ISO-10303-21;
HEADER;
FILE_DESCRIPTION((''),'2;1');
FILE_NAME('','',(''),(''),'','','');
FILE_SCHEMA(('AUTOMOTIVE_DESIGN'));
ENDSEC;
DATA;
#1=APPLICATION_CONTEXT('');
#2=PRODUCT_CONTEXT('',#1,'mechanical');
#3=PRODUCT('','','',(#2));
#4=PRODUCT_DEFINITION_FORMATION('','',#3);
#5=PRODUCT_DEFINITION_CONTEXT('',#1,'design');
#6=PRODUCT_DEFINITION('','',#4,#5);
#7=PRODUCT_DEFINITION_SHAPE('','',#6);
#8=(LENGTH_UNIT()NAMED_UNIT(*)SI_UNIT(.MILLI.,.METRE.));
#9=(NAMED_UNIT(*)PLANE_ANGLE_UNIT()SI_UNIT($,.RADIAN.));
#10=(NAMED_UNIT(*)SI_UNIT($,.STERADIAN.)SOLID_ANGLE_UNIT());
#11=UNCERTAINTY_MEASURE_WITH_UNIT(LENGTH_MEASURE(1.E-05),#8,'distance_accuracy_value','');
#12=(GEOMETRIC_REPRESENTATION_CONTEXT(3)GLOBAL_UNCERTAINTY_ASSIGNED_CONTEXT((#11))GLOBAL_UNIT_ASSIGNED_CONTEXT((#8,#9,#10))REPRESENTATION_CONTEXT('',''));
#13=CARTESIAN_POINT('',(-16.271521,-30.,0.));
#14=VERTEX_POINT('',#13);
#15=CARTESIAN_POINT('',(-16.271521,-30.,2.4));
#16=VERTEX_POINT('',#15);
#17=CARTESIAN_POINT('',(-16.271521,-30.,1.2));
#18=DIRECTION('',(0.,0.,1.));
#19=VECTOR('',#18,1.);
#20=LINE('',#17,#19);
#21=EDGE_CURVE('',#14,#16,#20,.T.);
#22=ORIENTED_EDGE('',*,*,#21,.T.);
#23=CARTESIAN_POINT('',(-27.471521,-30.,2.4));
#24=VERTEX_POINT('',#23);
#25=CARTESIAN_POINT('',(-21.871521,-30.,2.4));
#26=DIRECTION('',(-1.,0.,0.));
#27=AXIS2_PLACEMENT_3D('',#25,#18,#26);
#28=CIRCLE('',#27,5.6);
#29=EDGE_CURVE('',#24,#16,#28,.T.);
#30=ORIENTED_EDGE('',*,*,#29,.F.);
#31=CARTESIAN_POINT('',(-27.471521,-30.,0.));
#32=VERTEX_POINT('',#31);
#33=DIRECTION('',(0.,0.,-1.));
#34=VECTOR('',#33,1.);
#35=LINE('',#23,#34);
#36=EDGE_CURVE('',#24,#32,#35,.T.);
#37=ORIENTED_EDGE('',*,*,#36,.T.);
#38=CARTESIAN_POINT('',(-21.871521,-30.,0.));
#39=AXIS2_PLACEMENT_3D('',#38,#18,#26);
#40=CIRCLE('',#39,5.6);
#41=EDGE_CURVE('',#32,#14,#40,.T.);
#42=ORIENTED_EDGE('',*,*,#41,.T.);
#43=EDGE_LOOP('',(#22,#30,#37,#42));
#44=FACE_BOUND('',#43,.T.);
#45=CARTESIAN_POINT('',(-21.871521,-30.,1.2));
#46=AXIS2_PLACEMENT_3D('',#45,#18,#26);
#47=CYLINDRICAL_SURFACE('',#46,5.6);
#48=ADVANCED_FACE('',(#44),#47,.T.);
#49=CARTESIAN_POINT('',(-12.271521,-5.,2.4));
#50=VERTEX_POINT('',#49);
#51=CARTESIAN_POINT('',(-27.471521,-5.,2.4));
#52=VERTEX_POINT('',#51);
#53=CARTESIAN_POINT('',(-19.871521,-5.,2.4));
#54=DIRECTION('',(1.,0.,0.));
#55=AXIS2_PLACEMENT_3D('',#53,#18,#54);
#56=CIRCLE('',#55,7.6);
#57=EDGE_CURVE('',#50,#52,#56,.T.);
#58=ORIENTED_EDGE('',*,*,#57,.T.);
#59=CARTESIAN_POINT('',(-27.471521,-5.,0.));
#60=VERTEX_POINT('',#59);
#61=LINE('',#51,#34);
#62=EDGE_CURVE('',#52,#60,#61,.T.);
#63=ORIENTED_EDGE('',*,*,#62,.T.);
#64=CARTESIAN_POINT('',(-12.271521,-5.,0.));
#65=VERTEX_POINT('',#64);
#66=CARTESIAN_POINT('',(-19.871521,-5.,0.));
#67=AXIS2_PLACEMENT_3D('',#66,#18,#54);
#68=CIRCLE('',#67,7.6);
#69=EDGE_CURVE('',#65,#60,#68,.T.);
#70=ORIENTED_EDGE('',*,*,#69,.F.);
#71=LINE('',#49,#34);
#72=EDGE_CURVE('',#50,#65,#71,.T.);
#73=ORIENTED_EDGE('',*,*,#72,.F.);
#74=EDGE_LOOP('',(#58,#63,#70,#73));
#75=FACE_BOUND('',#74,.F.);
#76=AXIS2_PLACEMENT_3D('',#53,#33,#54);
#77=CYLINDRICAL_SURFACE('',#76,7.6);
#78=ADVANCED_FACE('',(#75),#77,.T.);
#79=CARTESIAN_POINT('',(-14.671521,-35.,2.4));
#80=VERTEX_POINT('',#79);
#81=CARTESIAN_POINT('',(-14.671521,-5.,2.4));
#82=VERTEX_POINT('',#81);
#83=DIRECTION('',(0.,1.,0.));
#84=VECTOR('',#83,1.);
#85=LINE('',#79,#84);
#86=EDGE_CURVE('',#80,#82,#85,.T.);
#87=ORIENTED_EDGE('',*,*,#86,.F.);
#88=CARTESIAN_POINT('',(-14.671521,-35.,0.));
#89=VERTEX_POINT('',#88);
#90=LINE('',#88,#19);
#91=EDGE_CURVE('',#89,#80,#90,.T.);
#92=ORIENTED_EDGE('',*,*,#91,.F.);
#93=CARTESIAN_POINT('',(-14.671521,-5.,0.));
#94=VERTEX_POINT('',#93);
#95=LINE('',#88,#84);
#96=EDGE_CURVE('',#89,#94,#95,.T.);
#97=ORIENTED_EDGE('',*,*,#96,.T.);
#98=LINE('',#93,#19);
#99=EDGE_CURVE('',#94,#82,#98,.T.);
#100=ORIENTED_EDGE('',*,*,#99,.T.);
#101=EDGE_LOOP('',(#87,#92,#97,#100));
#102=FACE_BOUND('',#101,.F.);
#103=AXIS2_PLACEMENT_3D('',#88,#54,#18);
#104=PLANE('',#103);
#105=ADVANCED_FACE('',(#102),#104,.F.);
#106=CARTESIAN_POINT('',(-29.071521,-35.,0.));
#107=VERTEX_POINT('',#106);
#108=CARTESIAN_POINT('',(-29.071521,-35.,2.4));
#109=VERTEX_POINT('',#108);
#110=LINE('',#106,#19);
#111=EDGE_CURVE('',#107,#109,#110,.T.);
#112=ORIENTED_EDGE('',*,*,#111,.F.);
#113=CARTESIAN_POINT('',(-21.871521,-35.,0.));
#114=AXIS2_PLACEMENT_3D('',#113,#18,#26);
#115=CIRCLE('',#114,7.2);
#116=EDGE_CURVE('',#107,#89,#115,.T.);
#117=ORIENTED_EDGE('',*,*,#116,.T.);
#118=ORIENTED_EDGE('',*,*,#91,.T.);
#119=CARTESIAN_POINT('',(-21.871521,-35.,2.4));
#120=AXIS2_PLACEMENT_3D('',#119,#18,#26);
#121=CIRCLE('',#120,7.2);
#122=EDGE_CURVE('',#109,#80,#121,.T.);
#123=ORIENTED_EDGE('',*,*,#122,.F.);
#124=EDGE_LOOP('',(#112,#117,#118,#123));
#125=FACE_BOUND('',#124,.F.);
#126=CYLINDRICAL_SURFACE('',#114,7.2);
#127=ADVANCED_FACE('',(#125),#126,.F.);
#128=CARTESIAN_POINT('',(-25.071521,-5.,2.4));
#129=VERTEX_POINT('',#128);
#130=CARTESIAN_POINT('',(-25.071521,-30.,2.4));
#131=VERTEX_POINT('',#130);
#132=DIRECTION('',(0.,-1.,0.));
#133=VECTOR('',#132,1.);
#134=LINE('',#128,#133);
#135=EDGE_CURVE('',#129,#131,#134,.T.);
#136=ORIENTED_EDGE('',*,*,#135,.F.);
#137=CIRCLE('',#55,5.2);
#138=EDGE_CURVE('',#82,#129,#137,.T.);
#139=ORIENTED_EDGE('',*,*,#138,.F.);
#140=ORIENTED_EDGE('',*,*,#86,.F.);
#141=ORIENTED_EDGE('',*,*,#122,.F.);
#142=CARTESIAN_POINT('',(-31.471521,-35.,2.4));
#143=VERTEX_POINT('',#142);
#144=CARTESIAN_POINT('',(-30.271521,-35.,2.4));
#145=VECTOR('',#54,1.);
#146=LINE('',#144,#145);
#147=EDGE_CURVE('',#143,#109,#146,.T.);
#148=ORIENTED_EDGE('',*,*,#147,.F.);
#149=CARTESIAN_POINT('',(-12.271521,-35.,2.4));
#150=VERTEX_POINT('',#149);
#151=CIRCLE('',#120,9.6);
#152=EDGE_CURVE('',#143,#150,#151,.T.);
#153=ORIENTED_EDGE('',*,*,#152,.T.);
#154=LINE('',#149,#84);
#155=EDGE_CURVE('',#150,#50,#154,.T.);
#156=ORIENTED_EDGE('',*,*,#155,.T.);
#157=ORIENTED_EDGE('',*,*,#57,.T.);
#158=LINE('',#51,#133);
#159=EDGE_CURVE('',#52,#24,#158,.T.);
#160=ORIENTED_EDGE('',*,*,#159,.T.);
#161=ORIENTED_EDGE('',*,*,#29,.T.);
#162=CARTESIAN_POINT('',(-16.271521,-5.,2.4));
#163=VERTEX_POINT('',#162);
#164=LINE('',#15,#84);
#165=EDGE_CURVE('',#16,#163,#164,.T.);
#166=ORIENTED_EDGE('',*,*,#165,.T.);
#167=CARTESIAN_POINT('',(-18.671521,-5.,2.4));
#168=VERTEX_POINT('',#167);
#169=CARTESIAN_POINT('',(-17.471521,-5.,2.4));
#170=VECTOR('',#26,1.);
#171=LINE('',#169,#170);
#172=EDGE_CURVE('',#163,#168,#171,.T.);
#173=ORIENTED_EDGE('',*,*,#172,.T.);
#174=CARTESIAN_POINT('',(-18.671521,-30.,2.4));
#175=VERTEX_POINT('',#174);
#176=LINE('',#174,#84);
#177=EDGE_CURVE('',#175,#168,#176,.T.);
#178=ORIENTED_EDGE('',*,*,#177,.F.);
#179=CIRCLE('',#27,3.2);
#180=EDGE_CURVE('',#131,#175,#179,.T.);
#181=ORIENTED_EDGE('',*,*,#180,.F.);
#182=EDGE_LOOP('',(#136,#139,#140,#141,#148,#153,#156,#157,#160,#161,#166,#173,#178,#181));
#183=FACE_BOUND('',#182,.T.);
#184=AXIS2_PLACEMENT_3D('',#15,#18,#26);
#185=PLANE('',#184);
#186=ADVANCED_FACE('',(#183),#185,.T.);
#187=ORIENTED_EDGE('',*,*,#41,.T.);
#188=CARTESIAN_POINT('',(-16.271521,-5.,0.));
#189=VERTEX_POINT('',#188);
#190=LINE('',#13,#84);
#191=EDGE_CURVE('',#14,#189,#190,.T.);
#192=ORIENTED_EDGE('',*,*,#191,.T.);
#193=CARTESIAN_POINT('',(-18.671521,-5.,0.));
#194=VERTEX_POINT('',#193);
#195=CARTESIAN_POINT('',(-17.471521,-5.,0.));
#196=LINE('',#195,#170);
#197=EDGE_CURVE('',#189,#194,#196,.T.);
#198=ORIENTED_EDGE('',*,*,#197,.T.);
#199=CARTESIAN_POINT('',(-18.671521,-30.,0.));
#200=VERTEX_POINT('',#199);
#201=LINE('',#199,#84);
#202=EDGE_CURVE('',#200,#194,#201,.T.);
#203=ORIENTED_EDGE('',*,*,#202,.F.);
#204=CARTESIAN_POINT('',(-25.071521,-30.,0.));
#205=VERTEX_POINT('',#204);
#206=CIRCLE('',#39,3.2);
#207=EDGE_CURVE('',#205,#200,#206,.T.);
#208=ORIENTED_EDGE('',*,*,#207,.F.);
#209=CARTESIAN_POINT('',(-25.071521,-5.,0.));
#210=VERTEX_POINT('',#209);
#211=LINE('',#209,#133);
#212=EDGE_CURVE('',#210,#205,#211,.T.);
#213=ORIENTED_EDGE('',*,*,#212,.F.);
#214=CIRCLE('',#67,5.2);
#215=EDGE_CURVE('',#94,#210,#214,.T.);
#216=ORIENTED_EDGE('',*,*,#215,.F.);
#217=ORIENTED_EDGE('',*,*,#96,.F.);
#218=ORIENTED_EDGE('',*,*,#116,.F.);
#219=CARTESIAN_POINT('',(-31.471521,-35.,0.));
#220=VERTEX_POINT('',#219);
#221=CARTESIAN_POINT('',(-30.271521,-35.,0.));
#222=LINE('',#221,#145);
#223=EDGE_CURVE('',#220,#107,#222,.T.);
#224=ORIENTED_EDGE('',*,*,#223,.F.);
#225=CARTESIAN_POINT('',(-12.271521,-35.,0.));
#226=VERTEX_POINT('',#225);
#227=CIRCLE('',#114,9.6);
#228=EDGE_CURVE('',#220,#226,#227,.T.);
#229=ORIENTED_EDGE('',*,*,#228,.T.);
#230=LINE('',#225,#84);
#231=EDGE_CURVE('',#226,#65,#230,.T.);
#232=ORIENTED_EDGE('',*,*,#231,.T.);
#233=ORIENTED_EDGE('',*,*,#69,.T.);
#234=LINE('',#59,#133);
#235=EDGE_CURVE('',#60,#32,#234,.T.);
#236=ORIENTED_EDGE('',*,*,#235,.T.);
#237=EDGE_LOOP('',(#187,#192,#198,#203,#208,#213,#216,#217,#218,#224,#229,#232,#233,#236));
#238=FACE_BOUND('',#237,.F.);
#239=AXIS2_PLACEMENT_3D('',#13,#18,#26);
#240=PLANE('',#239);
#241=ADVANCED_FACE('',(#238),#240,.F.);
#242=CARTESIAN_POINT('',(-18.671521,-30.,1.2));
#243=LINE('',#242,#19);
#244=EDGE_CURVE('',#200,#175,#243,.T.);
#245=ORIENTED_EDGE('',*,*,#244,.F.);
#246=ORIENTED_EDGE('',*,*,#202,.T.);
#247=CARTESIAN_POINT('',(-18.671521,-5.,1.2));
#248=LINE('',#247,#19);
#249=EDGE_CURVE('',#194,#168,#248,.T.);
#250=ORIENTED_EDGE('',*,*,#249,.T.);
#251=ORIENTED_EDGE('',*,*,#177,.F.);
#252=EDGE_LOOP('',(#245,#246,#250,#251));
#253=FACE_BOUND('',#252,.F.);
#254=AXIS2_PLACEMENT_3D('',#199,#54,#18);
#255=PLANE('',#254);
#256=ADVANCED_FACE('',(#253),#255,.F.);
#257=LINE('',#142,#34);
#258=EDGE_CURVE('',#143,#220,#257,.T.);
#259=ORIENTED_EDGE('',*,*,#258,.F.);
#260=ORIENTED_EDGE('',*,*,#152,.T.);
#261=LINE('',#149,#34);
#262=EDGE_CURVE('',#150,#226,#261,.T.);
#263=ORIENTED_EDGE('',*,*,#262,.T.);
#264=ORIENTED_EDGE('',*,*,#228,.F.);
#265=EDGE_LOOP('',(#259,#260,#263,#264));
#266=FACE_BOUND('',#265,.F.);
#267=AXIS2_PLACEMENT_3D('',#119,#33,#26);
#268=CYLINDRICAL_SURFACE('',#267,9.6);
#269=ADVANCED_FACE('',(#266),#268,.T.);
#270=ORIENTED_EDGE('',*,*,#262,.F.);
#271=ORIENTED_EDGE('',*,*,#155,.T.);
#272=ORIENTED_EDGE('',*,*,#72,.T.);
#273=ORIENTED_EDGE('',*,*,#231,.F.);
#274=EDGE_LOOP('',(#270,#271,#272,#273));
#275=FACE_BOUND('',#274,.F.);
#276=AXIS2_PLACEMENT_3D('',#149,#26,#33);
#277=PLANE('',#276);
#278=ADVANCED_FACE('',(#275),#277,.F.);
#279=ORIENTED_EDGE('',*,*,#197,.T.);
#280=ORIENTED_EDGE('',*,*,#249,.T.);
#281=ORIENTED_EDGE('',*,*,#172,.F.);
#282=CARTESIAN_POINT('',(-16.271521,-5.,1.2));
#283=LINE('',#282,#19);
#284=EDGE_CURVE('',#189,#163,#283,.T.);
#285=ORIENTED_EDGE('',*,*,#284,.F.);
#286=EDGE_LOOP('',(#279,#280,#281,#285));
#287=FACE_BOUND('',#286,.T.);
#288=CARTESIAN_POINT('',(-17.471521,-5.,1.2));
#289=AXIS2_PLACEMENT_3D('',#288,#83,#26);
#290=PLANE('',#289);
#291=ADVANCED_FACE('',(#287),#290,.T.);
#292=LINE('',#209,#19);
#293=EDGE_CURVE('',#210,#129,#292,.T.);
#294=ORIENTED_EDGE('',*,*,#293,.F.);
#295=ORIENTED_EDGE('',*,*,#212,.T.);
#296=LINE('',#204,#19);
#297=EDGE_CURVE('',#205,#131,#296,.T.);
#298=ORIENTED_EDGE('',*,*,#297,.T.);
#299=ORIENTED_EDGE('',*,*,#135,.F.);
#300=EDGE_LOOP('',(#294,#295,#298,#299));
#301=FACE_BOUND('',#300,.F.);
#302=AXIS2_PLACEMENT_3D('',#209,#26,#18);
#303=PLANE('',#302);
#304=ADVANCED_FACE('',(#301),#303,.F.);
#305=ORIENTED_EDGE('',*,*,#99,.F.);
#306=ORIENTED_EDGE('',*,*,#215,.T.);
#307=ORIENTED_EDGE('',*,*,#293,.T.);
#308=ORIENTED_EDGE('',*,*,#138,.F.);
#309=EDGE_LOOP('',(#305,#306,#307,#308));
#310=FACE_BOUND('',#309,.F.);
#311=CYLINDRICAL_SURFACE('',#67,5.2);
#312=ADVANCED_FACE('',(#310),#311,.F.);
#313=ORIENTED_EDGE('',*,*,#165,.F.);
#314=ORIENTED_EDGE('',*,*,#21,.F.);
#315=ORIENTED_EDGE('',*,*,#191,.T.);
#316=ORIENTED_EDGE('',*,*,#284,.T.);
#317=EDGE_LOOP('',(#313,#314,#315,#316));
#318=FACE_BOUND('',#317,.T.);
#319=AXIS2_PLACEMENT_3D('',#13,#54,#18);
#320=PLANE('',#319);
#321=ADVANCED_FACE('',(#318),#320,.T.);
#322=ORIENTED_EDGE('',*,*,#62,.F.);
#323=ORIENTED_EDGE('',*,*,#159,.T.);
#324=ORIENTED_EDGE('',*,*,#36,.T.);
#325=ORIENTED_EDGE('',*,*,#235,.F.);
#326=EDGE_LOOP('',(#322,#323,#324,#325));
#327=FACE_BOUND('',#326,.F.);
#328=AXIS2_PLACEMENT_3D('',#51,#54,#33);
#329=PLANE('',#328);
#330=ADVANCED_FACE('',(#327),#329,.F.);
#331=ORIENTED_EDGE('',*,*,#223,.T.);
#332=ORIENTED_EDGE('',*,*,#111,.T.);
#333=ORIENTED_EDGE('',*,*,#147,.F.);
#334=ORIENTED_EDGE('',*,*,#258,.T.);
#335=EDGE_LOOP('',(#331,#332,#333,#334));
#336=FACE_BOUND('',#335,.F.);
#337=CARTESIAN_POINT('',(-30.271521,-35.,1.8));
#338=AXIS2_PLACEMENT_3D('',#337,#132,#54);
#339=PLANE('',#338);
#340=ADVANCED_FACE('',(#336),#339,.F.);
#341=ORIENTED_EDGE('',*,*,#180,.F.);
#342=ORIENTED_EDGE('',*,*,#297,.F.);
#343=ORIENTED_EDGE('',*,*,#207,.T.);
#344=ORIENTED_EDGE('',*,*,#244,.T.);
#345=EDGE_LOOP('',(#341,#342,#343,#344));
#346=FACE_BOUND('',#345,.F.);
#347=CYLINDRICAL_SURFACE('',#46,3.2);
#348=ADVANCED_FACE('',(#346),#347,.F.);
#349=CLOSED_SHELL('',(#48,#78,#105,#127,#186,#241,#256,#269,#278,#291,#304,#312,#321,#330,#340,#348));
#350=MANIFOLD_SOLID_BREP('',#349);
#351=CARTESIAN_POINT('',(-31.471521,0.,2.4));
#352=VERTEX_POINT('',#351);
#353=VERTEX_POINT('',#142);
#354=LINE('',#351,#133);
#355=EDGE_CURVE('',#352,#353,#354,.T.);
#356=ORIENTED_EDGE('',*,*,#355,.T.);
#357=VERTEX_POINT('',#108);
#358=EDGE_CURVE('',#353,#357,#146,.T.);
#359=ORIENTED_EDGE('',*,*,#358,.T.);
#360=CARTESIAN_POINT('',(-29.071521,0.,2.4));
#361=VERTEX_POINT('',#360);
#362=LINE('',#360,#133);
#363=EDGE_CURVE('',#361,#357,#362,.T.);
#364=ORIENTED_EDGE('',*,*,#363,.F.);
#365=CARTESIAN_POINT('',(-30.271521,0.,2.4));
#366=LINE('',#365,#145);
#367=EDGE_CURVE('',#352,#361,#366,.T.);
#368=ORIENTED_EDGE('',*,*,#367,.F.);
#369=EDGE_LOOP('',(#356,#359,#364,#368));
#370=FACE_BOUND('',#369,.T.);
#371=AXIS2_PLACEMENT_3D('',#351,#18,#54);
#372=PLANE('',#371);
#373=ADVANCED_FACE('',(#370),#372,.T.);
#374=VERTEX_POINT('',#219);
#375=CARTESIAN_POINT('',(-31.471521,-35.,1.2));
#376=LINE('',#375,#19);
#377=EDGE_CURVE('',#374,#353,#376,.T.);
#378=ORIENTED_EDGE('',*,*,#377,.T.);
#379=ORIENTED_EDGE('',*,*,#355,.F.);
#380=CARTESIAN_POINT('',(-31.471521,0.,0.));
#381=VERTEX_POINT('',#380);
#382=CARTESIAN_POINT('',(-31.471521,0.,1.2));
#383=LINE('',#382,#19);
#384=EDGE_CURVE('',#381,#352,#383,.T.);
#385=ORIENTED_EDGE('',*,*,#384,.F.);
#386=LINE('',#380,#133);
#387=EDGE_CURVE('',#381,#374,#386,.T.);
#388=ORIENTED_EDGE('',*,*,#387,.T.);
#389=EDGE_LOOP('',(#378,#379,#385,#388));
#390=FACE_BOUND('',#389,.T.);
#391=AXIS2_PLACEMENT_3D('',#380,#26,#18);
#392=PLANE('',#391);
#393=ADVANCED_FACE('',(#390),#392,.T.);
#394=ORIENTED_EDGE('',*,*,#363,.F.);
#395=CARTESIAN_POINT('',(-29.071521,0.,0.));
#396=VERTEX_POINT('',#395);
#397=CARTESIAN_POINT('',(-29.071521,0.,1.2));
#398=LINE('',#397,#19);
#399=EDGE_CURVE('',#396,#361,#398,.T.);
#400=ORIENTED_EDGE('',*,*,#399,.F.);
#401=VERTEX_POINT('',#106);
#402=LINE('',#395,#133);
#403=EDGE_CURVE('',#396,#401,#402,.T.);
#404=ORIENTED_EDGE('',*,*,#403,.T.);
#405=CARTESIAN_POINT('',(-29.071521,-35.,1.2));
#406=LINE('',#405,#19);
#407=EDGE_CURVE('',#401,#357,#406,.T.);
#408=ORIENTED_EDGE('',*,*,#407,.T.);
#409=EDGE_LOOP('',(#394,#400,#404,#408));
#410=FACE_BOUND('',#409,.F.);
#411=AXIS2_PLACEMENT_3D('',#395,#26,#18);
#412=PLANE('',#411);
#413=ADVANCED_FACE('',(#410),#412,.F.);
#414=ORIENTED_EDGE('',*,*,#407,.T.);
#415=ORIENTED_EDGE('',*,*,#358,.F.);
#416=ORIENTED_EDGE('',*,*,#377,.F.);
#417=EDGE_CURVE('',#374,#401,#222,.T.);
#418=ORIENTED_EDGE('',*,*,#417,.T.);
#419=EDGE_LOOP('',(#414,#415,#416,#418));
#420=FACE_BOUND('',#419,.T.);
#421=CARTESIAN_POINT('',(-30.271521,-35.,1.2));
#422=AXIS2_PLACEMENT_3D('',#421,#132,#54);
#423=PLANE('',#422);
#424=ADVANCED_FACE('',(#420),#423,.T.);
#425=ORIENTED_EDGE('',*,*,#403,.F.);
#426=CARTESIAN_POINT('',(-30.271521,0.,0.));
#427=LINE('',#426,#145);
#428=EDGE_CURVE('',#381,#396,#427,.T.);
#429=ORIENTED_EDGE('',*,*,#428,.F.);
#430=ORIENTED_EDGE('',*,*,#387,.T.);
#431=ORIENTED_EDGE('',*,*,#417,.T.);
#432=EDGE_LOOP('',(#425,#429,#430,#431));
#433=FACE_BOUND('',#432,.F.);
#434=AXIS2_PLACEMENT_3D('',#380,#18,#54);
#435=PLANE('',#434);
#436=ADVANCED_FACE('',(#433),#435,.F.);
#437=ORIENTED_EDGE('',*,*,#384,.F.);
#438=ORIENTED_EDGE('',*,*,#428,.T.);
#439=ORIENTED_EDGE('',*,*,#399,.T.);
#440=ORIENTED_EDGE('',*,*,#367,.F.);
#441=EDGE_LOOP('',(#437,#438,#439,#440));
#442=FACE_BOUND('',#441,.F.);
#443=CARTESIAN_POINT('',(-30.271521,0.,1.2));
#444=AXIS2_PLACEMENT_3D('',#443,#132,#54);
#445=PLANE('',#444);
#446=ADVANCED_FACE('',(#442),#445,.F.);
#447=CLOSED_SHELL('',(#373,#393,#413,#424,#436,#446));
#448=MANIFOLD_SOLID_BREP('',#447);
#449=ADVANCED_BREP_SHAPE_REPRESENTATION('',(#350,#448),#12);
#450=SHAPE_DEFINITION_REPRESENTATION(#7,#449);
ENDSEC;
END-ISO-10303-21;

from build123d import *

# Parameters (mm, degrees)
F0_W      = 2.4
F0_H      = 2.4
F1_DEPTH  = 35
F2_W      = 2.4
F2_H      = 1.2
F3_ANGLE  = 180
F4_DEPTH  = 30
F5_W      = 2.4
F5_H      = 1.2
F6_ANGLE  = 180
F7_DEPTH  = 25
F8_W      = 2.4
F8_H      = 2.4
F9_ANGLE  = 180
F10_DEPTH = 25


with BuildPart() as f1:
    # F0 (on Front) → F1 (new body)
    with BuildSketch(Plane.XZ):
        with Locations((-30.2715206623, 1.2)):
            Rectangle(F0_W, F0_H)
    extrude(amount=F1_DEPTH)


with BuildPart() as f3:
    # F2 (on face) → F3 (revolve)
    with BuildSketch(Plane.XZ.offset(35)):
        with Locations((-30.2715206623, 1.8)):
            Rectangle(F2_W, F2_H)
        with Locations((-30.2715206623, 0.6)):
            Rectangle(F2_W, F2_H)
    revolve(axis=Axis((-21.8715206623, -35, 0.6), (0, 0, 1)), revolution_arc=F3_ANGLE)

    # F4 (add): a face of the model
    f4_faces = [f3.faces().sort_by_distance(p)[0] for p in [
        (-13.4715206623, -35, 1.2),
    ]]
    extrude(f4_faces, amount=F4_DEPTH)

    # F5 (on face) → F6 (revolve)
    with BuildSketch(Plane(origin=(0, -5, 0), x_dir=(-1, 0, 0), z_dir=(0, 1, 0))):
        with Locations((13.4715206623, 1.8)):
            Rectangle(F5_W, F5_H)
        with Locations((13.4715206623, 0.6)):
            Rectangle(F5_W, F5_H)
    revolve(axis=Axis((-19.8715206623, -5, 0.6), (0, 0, 1)), revolution_arc=F6_ANGLE)

    # F7 (add): a face of the model
    f7_faces = [f3.faces().sort_by_distance(p)[0] for p in [
        (-26.2715206623, -5, 1.2),
    ]]
    extrude(f7_faces, amount=F7_DEPTH)

    # F8 (on face) → F9 (revolve)
    with BuildSketch(Plane.XZ.offset(30)):
        with Locations((-26.2715206623, 1.2)):
            Rectangle(F8_W, F8_H)
    revolve(axis=Axis((-21.8715206623, -30, 1.8232566084), (0, 0, 1)), revolution_arc=F9_ANGLE)

    # F10 (add): a face of the model
    f10_faces = [f3.faces().sort_by_distance(p)[0] for p in [
        (-17.4715206623, -30, 1.2),
    ]]
    extrude(f10_faces, amount=F10_DEPTH)


solid = Compound([f1.part, f3.part])
